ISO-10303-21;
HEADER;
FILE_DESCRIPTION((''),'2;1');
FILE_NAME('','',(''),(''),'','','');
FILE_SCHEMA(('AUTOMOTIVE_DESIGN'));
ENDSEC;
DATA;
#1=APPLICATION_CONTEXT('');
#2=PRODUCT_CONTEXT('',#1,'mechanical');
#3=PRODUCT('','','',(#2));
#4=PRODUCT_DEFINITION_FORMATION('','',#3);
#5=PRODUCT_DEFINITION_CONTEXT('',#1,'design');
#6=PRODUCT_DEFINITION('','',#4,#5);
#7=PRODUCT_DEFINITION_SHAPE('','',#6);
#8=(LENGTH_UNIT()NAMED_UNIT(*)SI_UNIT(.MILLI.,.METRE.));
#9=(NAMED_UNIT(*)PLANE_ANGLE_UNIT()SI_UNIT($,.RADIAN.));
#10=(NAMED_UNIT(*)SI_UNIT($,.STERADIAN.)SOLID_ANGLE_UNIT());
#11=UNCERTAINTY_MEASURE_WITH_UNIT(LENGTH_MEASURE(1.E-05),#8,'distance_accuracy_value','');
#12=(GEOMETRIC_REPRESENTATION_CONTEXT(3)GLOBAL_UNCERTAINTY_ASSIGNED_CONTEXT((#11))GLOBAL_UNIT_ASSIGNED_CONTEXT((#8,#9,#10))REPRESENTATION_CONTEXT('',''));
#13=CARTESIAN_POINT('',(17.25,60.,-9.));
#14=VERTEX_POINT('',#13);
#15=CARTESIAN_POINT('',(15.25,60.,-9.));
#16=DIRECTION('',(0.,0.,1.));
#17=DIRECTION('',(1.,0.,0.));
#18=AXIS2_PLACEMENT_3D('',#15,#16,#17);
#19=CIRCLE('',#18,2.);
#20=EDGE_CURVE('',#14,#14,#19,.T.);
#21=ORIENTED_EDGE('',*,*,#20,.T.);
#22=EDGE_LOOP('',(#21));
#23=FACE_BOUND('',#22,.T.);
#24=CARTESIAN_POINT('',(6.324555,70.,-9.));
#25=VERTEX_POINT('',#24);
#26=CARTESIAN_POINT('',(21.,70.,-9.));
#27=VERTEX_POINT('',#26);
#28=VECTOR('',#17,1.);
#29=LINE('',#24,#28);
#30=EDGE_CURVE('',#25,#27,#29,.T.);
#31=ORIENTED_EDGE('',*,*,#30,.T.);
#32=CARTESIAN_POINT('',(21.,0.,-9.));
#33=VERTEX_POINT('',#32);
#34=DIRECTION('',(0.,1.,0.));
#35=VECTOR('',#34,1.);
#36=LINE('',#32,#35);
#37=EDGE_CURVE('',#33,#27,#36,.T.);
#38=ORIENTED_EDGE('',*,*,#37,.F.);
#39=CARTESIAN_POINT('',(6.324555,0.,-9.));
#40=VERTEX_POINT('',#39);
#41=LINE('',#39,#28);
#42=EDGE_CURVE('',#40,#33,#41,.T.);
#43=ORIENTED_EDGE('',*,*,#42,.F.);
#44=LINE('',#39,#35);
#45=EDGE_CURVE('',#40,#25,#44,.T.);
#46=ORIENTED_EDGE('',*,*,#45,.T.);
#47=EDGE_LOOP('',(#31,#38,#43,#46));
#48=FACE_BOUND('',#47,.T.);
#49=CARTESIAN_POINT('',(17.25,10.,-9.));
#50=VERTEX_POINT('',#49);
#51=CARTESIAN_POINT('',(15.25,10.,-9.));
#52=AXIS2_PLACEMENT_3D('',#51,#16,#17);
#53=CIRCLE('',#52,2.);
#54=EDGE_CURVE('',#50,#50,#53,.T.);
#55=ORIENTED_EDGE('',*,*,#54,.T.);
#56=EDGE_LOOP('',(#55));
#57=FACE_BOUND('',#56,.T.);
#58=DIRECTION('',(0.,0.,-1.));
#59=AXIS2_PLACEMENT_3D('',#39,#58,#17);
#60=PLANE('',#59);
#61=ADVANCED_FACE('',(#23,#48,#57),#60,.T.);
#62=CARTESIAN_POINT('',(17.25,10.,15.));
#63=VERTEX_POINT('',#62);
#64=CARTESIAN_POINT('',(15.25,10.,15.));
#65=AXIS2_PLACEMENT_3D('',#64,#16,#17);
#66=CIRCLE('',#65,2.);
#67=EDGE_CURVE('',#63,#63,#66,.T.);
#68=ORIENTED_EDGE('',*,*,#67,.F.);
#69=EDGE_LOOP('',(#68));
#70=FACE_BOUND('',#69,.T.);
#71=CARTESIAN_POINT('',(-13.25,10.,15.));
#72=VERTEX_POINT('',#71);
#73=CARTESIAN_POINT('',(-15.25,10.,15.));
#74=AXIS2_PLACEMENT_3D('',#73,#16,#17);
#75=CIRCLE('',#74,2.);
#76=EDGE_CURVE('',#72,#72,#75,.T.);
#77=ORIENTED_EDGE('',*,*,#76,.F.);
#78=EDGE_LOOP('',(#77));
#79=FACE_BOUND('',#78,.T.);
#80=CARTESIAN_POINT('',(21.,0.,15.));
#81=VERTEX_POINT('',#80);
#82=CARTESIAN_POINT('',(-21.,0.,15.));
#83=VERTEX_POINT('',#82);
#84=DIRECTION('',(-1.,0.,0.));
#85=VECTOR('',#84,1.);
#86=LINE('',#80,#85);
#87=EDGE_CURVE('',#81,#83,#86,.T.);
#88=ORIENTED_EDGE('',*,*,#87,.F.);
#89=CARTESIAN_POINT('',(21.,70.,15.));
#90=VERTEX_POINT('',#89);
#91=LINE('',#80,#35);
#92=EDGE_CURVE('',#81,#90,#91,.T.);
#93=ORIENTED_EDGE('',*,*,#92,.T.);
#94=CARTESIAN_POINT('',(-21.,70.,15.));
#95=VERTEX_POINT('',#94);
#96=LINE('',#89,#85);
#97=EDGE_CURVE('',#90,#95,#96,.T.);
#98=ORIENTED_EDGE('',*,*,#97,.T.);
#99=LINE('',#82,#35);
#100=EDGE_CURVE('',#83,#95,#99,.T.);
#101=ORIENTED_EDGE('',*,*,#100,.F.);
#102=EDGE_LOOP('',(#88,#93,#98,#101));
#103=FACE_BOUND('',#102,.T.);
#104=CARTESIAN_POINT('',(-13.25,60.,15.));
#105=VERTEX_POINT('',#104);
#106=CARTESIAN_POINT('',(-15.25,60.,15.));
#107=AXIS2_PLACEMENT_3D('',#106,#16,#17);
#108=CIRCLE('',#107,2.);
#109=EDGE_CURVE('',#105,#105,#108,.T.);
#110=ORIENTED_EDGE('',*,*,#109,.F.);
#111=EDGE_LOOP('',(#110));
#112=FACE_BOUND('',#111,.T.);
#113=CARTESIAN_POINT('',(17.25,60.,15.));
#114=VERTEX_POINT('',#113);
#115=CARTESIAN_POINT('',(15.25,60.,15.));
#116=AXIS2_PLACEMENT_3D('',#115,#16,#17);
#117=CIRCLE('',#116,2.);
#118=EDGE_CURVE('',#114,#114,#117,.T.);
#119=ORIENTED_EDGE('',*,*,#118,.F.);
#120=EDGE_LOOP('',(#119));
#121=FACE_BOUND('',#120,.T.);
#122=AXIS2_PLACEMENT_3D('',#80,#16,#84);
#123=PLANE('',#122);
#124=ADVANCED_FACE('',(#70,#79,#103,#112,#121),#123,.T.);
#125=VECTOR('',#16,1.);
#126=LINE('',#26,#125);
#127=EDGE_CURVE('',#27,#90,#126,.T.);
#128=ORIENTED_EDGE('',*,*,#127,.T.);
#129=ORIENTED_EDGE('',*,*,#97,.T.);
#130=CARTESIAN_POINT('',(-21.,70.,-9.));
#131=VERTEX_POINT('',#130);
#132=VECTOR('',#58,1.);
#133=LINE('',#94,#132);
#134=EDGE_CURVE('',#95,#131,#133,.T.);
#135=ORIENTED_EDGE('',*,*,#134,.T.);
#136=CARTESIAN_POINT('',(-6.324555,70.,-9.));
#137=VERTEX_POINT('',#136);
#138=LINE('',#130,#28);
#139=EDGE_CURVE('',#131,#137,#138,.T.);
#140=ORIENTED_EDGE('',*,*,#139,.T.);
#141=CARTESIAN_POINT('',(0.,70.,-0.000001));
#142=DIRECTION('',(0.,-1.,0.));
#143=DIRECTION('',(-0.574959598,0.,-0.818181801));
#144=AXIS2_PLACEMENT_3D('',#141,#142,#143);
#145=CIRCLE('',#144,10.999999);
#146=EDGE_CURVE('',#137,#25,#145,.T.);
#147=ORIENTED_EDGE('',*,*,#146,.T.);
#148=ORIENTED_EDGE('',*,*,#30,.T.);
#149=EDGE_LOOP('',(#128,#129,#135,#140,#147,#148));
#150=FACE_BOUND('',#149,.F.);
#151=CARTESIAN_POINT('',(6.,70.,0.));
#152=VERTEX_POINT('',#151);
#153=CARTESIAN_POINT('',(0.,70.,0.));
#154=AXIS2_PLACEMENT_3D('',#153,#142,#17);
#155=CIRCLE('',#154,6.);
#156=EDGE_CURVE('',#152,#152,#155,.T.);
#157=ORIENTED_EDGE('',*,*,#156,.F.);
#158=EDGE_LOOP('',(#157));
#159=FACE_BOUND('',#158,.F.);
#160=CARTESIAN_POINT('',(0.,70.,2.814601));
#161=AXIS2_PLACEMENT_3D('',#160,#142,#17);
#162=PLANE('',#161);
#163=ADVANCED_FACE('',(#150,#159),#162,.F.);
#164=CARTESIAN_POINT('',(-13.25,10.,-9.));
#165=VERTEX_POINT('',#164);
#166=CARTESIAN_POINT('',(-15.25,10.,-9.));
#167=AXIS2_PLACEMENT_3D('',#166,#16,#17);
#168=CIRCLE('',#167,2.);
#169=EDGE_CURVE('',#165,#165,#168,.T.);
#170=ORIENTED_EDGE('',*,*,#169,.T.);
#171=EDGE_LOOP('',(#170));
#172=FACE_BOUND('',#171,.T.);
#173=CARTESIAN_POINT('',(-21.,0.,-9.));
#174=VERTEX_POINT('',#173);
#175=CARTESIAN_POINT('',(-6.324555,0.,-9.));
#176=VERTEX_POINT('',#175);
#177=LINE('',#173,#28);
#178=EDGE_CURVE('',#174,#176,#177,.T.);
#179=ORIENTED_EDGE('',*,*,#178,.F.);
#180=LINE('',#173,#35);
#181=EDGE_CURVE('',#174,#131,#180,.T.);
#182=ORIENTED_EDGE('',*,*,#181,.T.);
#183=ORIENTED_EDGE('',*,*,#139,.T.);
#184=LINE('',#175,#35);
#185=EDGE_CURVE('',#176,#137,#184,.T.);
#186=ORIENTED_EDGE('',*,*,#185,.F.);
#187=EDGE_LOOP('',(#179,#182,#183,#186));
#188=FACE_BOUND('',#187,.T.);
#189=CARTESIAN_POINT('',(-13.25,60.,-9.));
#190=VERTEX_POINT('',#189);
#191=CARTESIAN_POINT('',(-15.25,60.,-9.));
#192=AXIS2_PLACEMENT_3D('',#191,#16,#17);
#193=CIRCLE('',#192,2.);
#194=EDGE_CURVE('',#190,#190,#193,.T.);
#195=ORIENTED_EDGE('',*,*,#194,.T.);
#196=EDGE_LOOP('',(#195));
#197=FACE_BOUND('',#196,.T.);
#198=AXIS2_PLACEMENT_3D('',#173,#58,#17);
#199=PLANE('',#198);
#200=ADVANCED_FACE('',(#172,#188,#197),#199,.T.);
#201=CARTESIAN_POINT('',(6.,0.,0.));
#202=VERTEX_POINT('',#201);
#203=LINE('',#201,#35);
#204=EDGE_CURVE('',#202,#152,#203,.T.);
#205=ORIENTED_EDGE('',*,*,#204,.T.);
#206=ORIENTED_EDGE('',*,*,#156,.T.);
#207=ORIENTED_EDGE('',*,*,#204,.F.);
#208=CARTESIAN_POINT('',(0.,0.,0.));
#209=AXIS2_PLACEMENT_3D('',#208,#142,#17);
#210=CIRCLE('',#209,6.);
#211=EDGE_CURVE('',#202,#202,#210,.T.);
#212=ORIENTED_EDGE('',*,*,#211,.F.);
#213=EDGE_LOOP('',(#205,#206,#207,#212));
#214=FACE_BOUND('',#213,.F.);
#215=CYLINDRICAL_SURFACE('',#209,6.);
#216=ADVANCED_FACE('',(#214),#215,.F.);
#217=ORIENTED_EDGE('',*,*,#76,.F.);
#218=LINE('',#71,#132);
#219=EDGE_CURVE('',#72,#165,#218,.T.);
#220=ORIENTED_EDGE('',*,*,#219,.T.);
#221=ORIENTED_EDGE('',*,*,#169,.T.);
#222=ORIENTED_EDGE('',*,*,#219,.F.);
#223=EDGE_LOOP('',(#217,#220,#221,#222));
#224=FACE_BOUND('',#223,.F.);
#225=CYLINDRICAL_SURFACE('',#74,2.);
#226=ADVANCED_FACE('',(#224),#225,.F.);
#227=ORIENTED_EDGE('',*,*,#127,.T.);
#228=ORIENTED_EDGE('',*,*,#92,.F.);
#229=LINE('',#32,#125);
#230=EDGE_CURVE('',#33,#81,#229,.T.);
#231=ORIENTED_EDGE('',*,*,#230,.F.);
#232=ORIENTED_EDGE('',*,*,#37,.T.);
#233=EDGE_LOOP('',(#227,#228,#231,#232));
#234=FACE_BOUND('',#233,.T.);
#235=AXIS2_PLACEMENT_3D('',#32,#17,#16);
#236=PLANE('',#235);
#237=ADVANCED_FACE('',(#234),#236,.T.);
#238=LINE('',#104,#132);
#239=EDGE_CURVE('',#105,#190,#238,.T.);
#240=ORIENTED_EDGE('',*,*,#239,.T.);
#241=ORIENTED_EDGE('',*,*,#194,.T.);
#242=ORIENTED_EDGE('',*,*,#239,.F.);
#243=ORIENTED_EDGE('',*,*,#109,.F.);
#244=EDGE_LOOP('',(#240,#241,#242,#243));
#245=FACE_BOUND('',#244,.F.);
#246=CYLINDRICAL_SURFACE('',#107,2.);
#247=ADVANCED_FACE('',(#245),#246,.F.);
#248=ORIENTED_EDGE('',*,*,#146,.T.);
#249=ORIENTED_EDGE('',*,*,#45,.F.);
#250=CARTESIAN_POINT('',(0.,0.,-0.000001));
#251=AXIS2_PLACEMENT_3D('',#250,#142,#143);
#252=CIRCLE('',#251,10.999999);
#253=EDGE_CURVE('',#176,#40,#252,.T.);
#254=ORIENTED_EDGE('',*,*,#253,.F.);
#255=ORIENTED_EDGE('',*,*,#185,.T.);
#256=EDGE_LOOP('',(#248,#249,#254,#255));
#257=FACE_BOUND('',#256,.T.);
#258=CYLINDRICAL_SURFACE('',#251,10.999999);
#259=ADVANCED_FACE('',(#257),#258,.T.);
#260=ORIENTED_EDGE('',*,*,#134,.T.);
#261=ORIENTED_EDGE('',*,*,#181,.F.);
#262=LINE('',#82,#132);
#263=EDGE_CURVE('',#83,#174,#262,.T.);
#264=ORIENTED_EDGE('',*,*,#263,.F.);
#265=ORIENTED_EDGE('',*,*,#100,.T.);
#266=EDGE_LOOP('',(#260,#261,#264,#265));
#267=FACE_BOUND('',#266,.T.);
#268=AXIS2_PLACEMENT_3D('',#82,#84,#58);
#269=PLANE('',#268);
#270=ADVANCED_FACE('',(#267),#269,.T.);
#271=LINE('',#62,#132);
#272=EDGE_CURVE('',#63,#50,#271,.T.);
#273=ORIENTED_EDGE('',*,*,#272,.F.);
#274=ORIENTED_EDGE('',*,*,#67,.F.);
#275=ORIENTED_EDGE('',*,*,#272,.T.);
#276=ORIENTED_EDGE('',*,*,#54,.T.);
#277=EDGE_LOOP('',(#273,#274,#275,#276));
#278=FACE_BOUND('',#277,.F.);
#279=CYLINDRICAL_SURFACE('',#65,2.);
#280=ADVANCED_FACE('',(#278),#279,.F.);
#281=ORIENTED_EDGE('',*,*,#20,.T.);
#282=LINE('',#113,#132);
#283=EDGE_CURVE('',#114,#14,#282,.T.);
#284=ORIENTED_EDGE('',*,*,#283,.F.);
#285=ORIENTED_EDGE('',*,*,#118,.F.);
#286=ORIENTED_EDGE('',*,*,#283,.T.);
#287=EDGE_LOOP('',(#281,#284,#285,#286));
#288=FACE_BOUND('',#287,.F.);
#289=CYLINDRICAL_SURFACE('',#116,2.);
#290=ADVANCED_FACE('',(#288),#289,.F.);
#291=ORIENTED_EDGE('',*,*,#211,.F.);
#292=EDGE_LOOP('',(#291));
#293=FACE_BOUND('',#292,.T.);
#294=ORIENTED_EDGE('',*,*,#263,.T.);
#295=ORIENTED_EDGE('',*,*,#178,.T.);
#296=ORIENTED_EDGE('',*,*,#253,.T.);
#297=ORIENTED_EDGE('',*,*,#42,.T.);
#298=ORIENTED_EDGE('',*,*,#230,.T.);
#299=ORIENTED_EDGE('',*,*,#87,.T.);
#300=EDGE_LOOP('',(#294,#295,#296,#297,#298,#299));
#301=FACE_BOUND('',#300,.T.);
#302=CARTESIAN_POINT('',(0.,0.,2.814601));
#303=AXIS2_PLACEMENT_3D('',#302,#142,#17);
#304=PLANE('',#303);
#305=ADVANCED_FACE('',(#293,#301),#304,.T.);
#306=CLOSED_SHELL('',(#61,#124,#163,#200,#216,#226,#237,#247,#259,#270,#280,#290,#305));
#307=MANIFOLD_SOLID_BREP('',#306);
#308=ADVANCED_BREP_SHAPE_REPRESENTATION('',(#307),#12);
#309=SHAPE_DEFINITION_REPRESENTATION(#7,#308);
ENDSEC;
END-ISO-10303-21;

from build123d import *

# Parameters (mm, degrees)
F0_R     = 6
F1_DEPTH = 70
F2_R     = 2
F3_DEPTH = 26.001


with BuildPart() as f1:
    # F0 (on Front) → F1 (new body)
    with BuildSketch(Plane.XZ):
        with BuildLine():
            Line((21, 15), (-21, 15))
            Line((-21, 15), (-21, -9))
            Line((-21, -9), (-6.324555, -9))
            ThreePointArc((-6.324555, -9), (0, -11), (6.324555, -9))
            Line((6.324555, -9), (21, -9))
            Line((21, -9), (21, 15))
        make_face()
        Circle(F0_R, mode=Mode.SUBTRACT)
    extrude(amount=-F1_DEPTH)

    # F2 (on face) → F3 (cut, through all)
    with BuildSketch(Plane.XY.offset(15)):
        with Locations((-15.25, 10)):
            Circle(F2_R)
        with Locations((-15.25, 60)):
            Circle(F2_R)
        with Locations((15.25, 60)):
            Circle(F2_R)
        with Locations((15.25, 10)):
            Circle(F2_R)
    extrude(amount=-F3_DEPTH, mode=Mode.SUBTRACT)


solid = f1.part
